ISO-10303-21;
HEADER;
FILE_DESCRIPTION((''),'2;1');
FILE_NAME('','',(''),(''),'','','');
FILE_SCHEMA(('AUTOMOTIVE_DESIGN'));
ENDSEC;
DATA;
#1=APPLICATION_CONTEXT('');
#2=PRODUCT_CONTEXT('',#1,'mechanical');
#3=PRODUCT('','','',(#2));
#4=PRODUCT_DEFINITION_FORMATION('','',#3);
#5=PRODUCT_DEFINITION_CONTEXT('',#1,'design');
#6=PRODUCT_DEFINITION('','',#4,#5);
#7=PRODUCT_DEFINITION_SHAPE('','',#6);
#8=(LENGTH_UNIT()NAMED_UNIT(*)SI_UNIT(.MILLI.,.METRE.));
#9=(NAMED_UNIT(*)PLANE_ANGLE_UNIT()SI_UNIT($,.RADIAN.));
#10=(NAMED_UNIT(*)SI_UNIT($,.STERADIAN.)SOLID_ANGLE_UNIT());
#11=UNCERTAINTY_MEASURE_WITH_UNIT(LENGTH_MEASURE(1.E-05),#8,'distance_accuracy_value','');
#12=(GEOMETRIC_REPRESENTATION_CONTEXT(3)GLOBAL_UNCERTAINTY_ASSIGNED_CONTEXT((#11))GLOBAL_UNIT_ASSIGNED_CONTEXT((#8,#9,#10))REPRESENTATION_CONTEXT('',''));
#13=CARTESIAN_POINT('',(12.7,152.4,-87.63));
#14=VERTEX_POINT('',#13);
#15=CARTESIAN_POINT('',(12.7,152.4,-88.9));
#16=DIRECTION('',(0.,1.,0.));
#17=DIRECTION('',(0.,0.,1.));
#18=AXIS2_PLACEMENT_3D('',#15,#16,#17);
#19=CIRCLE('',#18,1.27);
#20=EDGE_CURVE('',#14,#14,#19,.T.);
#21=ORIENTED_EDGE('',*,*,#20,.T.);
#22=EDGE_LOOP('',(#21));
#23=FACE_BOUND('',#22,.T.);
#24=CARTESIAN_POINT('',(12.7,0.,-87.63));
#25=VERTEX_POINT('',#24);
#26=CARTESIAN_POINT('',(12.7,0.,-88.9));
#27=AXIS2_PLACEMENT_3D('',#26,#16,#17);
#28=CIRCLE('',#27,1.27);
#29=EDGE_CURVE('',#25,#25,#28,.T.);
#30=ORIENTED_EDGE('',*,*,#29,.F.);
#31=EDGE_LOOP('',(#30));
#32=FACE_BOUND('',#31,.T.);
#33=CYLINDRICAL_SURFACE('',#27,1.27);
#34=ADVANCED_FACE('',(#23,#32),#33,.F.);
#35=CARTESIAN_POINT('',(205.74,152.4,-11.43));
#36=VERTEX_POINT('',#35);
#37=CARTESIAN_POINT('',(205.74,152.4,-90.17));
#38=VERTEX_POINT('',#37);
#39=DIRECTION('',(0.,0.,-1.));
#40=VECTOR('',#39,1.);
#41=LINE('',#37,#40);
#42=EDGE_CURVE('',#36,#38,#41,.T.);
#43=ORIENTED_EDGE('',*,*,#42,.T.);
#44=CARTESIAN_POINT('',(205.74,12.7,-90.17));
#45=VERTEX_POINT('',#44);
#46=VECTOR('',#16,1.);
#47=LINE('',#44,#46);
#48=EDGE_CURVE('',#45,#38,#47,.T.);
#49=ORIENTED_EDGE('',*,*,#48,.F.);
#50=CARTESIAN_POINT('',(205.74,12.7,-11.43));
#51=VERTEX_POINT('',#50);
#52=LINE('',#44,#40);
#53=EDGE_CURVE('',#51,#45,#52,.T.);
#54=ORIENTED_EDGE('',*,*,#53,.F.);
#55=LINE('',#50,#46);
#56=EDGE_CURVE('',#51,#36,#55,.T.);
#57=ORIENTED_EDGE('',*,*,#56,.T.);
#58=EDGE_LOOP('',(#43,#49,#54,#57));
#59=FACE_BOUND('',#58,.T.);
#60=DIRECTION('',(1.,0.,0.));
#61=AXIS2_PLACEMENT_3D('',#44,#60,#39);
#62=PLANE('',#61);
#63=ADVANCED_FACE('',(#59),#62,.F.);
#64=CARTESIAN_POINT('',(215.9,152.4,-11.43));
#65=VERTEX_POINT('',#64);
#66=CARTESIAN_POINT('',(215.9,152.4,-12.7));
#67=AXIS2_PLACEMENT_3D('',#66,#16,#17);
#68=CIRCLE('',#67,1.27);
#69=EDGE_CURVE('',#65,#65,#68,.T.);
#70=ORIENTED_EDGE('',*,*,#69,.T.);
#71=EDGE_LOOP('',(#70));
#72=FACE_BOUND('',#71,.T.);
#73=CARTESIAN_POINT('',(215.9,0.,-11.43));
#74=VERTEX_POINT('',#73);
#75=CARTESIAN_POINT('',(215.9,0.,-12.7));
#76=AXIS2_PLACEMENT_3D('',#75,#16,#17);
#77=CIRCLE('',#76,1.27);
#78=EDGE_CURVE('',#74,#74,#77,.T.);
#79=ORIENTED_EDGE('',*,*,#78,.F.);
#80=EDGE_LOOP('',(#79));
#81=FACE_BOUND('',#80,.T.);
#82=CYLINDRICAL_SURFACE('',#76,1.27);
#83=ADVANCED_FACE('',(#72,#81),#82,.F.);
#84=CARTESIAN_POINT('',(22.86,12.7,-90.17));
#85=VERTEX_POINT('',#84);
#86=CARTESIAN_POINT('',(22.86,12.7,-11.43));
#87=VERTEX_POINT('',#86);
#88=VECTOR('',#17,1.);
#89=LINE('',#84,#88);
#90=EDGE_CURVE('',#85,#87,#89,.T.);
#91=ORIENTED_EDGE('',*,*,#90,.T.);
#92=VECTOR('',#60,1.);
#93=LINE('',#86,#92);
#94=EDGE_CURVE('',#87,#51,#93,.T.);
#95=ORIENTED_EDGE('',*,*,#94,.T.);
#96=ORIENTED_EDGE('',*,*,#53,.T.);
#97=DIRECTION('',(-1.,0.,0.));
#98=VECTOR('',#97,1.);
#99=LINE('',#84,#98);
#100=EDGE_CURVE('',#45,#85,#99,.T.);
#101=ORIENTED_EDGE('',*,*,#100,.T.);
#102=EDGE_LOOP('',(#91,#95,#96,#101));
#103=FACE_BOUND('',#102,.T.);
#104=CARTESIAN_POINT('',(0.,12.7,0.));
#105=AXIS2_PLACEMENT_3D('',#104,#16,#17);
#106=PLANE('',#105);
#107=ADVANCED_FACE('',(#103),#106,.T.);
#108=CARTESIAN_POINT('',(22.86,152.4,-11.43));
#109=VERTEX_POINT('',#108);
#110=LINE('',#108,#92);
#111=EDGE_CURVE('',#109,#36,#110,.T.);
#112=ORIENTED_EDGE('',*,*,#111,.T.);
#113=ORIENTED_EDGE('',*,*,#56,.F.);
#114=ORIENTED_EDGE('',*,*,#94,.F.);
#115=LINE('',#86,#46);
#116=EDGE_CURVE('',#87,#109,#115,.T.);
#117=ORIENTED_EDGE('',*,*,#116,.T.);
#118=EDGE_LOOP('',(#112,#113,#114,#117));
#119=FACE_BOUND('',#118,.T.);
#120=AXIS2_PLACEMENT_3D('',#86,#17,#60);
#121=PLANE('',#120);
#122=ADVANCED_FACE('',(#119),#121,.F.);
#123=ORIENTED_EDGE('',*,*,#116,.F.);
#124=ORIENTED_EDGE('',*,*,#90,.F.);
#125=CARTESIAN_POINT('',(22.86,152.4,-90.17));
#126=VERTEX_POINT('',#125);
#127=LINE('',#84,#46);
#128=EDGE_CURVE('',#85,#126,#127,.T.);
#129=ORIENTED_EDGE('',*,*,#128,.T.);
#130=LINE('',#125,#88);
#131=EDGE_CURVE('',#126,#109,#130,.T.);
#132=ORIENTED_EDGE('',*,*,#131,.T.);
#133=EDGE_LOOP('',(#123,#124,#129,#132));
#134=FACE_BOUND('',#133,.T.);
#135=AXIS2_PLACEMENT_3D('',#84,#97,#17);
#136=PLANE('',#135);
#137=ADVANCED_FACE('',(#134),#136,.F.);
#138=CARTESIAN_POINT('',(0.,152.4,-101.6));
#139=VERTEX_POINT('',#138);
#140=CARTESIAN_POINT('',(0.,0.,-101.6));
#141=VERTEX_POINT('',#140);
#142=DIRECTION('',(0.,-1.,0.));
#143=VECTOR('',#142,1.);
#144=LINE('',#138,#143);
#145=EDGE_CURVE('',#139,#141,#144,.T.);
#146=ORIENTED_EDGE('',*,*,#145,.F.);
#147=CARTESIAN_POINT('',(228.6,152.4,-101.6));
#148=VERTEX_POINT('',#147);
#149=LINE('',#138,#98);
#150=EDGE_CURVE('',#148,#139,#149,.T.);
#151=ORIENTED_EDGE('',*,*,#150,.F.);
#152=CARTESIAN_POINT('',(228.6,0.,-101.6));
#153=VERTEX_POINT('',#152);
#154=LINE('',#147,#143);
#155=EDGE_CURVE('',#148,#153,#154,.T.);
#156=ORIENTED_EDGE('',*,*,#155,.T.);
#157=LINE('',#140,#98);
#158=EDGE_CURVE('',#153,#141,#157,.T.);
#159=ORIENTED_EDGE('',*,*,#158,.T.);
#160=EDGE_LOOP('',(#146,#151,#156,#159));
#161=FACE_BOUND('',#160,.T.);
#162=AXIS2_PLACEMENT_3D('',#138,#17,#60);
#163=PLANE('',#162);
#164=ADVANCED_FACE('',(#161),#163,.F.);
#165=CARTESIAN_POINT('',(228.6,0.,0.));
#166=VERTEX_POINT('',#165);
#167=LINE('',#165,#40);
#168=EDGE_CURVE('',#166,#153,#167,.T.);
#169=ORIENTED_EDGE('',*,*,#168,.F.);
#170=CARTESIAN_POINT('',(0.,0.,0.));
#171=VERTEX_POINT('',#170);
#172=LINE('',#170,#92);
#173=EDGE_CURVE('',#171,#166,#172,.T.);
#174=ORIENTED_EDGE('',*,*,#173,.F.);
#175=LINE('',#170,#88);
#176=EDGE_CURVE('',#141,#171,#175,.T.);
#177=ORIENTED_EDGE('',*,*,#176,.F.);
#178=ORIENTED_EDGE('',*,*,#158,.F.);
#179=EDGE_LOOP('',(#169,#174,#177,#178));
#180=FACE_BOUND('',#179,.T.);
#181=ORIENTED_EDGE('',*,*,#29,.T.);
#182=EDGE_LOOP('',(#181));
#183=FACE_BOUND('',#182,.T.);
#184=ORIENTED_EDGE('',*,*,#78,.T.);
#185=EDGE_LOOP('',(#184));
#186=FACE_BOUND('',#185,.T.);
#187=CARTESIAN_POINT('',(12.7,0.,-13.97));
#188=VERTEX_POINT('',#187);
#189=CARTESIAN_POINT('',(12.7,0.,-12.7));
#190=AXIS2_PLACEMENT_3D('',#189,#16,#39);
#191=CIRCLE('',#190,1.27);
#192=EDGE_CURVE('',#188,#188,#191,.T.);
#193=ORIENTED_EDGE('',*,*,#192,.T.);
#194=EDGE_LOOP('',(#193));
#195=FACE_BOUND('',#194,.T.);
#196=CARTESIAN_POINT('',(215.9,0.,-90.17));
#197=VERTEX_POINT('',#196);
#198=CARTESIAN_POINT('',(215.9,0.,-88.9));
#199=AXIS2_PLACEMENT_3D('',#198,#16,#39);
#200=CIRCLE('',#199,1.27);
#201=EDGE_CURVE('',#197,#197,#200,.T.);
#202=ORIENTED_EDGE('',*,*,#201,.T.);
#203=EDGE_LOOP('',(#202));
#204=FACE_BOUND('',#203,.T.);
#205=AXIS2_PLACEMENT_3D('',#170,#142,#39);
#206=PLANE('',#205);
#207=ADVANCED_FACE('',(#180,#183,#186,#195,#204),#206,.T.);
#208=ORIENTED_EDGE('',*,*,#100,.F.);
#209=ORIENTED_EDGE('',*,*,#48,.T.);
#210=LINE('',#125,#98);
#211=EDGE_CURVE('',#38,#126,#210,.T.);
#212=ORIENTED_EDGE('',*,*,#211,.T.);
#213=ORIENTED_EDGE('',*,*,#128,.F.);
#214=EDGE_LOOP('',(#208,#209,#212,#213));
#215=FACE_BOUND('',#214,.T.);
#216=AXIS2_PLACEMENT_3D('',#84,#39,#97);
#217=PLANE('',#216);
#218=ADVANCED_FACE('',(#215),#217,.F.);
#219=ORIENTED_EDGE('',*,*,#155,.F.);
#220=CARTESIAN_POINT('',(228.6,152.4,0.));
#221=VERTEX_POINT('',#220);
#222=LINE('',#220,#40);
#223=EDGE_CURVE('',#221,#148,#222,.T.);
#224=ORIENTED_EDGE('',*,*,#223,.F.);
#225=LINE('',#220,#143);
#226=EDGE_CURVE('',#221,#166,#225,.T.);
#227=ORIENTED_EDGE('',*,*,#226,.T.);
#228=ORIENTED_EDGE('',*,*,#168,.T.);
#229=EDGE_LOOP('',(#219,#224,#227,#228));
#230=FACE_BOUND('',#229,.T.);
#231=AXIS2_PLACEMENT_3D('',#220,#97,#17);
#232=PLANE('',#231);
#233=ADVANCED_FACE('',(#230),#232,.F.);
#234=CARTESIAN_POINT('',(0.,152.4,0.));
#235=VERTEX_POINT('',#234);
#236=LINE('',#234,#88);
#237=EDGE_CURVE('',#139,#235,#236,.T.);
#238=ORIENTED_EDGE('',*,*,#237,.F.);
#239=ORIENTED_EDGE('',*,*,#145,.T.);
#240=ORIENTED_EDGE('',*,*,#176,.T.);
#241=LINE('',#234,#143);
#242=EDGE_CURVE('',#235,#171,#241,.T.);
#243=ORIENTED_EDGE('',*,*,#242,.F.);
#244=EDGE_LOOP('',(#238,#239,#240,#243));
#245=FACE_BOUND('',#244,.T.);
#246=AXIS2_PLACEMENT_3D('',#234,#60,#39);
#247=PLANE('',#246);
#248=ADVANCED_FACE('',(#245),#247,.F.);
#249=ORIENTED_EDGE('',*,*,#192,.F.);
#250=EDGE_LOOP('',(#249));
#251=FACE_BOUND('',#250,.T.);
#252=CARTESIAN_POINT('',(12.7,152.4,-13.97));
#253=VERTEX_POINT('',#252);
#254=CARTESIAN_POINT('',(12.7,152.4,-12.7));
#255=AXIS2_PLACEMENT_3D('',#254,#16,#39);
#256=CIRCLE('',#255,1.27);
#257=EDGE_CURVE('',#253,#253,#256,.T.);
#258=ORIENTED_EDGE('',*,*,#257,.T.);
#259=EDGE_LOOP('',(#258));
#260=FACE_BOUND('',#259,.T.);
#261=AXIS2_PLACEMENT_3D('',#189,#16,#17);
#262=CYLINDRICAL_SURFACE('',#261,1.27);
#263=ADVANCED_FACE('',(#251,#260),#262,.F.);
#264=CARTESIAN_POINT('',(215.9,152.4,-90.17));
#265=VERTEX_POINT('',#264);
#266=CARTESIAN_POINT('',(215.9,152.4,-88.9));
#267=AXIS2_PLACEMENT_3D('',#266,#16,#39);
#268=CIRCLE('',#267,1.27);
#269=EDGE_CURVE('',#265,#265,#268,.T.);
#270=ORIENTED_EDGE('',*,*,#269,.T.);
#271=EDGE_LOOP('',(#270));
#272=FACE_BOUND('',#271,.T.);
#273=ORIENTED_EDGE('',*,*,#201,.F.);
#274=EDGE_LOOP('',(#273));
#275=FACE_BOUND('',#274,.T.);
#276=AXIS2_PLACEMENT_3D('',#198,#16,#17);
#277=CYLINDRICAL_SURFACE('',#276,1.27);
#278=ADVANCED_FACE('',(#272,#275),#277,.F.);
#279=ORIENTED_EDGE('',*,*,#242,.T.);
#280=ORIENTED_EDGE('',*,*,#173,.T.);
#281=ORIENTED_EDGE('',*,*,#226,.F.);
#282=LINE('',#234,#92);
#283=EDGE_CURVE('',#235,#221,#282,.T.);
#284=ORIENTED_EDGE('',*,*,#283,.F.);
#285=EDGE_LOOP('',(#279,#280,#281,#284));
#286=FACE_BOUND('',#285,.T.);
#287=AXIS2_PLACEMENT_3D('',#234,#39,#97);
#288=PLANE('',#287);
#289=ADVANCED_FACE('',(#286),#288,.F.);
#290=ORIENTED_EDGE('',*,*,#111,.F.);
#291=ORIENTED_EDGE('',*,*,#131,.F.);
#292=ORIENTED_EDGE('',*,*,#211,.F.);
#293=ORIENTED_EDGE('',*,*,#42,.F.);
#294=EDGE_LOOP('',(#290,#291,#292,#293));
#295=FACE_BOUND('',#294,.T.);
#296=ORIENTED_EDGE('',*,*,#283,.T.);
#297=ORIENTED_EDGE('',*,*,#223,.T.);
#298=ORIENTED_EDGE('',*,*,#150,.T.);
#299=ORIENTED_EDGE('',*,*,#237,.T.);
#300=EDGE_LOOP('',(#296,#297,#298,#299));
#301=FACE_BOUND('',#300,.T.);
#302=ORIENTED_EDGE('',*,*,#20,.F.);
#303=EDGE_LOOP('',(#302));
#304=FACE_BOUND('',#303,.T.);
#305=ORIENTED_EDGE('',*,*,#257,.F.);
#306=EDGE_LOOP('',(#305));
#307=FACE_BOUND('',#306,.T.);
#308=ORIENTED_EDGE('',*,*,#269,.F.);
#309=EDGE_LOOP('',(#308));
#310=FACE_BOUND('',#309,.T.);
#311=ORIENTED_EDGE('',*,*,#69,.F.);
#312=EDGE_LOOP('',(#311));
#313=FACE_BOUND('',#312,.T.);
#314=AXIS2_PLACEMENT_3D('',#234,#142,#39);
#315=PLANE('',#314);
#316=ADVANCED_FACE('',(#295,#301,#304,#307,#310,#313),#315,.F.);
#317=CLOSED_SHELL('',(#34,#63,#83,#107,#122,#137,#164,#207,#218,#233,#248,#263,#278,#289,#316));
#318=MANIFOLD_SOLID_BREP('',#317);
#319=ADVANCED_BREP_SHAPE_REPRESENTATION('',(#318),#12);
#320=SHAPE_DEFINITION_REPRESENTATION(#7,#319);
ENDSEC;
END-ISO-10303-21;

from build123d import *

# Parameters (mm, degrees)
SKETCH4_W           = 228.6
SKETCH4_H           = 101.6
BOSS_EXTRUDE2_DEPTH = 152.4
SKETCH5_W           = 182.88
SKETCH5_H           = 78.74
CUT_EXTRUDE3_DEPTH  = 139.7
SKETCH6_R           = 1.27
CUT_EXTRUDE4_DEPTH  = 153.4


with BuildPart() as part:
    # Sketch4 → Boss-Extrude2 (new body)
    with BuildSketch(Plane(origin=(0, 0, 0), x_dir=(1, 0, 0), z_dir=(0, 1, 0))):
        with Locations((114.3, 50.8)):
            Rectangle(SKETCH4_W, SKETCH4_H)
    extrude(amount=BOSS_EXTRUDE2_DEPTH)

    # Sketch5 → Cut-Extrude3 (cut)
    with BuildSketch(Plane(origin=(0, 152.4, 0), x_dir=(1, 0, 0), z_dir=(0, 1, 0))):
        with Locations((114.3, 50.8)):
            Rectangle(SKETCH5_W, SKETCH5_H)
    extrude(amount=-CUT_EXTRUDE3_DEPTH, mode=Mode.SUBTRACT)

    # Sketch6 → Cut-Extrude4 (cut, through all)
    with BuildSketch(Plane(origin=(0, 152.4, 0), x_dir=(1, 0, 0), z_dir=(0, 1, 0))):
        with Locations((12.7, 88.9)):
            Circle(SKETCH6_R)
        with Locations((215.9, 88.9)):
            Circle(SKETCH6_R)
        with Locations((12.7, 12.7)):
            Circle(SKETCH6_R)
        with Locations((215.9, 12.7)):
            Circle(SKETCH6_R)
    extrude(amount=-CUT_EXTRUDE4_DEPTH, mode=Mode.SUBTRACT)


solid = part.part
